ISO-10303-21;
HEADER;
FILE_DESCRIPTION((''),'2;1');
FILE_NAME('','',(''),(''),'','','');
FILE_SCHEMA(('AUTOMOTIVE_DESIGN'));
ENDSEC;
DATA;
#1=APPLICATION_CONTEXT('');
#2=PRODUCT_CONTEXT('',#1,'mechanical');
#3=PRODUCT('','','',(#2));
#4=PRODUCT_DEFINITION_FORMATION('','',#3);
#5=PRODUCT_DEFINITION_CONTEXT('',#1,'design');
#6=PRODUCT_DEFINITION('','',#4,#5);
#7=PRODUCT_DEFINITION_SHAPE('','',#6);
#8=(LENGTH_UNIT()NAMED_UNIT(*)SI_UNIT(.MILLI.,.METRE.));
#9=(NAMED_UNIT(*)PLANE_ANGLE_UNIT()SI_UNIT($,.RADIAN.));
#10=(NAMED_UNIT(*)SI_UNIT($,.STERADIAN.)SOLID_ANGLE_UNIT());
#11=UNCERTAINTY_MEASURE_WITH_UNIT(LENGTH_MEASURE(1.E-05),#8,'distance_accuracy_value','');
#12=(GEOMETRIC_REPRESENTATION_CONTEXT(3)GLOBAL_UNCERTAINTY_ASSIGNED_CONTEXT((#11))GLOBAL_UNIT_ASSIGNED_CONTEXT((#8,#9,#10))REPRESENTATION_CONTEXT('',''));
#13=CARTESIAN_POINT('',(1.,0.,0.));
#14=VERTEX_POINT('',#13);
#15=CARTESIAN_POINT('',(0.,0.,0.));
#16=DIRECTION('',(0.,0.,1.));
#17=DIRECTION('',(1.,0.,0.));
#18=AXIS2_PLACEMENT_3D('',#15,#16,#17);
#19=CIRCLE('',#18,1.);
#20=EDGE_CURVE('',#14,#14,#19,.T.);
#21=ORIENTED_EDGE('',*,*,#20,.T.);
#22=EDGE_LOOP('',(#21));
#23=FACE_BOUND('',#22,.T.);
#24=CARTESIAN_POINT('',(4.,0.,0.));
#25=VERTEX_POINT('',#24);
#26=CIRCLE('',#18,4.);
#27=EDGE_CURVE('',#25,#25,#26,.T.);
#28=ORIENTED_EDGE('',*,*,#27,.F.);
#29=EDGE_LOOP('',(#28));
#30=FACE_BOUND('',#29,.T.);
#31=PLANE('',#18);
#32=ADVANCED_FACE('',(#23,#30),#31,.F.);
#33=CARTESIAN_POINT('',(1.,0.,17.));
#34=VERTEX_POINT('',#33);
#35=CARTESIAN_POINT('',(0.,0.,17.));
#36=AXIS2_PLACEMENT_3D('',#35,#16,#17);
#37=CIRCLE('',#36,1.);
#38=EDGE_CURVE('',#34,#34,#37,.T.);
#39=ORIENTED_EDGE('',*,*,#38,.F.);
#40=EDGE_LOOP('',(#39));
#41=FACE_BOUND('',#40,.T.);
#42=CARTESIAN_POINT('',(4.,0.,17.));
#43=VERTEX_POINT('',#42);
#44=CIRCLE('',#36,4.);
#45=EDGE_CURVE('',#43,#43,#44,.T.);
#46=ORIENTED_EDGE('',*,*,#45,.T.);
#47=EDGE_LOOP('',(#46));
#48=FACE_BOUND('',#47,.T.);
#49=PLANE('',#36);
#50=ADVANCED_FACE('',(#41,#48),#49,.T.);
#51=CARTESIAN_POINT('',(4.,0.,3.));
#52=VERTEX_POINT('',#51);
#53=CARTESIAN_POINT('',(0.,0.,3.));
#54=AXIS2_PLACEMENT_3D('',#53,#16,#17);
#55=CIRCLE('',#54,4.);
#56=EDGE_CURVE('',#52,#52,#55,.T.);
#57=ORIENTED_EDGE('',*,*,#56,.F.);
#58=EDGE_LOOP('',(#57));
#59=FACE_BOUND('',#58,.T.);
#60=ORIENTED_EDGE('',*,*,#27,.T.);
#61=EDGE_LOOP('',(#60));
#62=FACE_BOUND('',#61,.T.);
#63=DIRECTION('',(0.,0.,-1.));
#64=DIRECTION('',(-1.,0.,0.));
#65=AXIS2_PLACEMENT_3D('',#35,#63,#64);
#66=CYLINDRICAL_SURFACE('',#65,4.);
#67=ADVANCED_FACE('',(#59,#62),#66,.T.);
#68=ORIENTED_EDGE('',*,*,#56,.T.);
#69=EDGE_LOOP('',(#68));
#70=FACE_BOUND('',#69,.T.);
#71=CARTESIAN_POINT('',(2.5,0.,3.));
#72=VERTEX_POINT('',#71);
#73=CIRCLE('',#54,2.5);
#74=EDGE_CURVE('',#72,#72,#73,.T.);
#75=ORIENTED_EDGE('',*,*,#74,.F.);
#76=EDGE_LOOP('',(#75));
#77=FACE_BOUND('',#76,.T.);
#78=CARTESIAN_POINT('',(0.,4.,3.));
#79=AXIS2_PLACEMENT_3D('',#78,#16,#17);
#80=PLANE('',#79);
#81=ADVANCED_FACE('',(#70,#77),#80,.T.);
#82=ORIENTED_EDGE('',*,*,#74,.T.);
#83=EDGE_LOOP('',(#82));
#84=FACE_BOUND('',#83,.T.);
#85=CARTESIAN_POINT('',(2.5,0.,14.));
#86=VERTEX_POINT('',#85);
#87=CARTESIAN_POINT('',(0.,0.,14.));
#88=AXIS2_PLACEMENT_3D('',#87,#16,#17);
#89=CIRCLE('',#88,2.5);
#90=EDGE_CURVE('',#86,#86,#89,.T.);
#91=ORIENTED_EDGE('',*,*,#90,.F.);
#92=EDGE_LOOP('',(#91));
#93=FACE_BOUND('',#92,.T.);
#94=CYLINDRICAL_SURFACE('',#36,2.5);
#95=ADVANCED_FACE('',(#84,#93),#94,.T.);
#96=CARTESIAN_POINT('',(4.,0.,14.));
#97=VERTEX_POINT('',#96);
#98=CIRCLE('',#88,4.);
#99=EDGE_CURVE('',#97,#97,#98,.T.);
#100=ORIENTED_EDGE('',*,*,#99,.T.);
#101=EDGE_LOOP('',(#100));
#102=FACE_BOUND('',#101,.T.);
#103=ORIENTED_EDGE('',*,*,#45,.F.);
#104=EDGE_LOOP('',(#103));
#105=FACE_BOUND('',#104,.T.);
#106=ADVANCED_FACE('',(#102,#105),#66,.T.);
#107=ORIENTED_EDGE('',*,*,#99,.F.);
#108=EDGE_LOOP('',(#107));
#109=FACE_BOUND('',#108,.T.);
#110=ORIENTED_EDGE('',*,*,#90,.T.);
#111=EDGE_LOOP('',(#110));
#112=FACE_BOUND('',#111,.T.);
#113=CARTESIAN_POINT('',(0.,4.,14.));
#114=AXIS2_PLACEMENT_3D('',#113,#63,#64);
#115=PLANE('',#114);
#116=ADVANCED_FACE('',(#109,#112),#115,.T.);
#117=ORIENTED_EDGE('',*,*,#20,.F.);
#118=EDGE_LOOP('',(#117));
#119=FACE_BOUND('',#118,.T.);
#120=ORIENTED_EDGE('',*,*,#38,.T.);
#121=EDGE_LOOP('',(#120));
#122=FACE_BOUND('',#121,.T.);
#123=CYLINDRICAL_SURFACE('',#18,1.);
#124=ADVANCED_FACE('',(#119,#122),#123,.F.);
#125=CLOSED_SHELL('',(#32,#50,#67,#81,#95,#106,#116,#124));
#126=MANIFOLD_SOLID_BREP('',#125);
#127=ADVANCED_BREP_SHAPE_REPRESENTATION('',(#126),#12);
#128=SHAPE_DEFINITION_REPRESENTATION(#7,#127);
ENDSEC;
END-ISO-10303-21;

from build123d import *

# Parameters (mm, degrees)
CROQUIS1_R              = 4
SALIENTE_EXTRUIR1_DEPTH = 17
CROQUIS2_R              = 1
CORTAR_EXTRUIR1_DEPTH   = 18.916472867
CROQUIS3_W              = 11
CROQUIS3_H              = 1.5


with BuildPart() as part:
    # Croquis1 → Saliente-Extruir1 (new body)
    with BuildSketch(Plane.XY):
        Circle(CROQUIS1_R)
    extrude(amount=SALIENTE_EXTRUIR1_DEPTH)

    # Croquis2 → Cortar-Extruir1 (cut, through all)
    with BuildSketch(Plane.XY.offset(17)):
        Circle(CROQUIS2_R)
    extrude(amount=-CORTAR_EXTRUIR1_DEPTH, mode=Mode.SUBTRACT)

    # Croquis3 → Cortar-Revolución1 (revolve, cut)
    with BuildSketch(Plane(origin=(0, 0, 0), x_dir=(0, 0, -1), z_dir=(1, 0, 0)), mode=Mode.PRIVATE) as cortar_revoluci_n1_sk:
        with Locations((-8.5, 3.25)):
            Rectangle(CROQUIS3_W, CROQUIS3_H)
    revolve(cortar_revoluci_n1_sk.sketch.rotate(Axis((0, 0, 17), (0, 0, -1)), 90), axis=Axis((0, 0, 17), (0, 0, -1)), mode=Mode.SUBTRACT)


solid = part.part
